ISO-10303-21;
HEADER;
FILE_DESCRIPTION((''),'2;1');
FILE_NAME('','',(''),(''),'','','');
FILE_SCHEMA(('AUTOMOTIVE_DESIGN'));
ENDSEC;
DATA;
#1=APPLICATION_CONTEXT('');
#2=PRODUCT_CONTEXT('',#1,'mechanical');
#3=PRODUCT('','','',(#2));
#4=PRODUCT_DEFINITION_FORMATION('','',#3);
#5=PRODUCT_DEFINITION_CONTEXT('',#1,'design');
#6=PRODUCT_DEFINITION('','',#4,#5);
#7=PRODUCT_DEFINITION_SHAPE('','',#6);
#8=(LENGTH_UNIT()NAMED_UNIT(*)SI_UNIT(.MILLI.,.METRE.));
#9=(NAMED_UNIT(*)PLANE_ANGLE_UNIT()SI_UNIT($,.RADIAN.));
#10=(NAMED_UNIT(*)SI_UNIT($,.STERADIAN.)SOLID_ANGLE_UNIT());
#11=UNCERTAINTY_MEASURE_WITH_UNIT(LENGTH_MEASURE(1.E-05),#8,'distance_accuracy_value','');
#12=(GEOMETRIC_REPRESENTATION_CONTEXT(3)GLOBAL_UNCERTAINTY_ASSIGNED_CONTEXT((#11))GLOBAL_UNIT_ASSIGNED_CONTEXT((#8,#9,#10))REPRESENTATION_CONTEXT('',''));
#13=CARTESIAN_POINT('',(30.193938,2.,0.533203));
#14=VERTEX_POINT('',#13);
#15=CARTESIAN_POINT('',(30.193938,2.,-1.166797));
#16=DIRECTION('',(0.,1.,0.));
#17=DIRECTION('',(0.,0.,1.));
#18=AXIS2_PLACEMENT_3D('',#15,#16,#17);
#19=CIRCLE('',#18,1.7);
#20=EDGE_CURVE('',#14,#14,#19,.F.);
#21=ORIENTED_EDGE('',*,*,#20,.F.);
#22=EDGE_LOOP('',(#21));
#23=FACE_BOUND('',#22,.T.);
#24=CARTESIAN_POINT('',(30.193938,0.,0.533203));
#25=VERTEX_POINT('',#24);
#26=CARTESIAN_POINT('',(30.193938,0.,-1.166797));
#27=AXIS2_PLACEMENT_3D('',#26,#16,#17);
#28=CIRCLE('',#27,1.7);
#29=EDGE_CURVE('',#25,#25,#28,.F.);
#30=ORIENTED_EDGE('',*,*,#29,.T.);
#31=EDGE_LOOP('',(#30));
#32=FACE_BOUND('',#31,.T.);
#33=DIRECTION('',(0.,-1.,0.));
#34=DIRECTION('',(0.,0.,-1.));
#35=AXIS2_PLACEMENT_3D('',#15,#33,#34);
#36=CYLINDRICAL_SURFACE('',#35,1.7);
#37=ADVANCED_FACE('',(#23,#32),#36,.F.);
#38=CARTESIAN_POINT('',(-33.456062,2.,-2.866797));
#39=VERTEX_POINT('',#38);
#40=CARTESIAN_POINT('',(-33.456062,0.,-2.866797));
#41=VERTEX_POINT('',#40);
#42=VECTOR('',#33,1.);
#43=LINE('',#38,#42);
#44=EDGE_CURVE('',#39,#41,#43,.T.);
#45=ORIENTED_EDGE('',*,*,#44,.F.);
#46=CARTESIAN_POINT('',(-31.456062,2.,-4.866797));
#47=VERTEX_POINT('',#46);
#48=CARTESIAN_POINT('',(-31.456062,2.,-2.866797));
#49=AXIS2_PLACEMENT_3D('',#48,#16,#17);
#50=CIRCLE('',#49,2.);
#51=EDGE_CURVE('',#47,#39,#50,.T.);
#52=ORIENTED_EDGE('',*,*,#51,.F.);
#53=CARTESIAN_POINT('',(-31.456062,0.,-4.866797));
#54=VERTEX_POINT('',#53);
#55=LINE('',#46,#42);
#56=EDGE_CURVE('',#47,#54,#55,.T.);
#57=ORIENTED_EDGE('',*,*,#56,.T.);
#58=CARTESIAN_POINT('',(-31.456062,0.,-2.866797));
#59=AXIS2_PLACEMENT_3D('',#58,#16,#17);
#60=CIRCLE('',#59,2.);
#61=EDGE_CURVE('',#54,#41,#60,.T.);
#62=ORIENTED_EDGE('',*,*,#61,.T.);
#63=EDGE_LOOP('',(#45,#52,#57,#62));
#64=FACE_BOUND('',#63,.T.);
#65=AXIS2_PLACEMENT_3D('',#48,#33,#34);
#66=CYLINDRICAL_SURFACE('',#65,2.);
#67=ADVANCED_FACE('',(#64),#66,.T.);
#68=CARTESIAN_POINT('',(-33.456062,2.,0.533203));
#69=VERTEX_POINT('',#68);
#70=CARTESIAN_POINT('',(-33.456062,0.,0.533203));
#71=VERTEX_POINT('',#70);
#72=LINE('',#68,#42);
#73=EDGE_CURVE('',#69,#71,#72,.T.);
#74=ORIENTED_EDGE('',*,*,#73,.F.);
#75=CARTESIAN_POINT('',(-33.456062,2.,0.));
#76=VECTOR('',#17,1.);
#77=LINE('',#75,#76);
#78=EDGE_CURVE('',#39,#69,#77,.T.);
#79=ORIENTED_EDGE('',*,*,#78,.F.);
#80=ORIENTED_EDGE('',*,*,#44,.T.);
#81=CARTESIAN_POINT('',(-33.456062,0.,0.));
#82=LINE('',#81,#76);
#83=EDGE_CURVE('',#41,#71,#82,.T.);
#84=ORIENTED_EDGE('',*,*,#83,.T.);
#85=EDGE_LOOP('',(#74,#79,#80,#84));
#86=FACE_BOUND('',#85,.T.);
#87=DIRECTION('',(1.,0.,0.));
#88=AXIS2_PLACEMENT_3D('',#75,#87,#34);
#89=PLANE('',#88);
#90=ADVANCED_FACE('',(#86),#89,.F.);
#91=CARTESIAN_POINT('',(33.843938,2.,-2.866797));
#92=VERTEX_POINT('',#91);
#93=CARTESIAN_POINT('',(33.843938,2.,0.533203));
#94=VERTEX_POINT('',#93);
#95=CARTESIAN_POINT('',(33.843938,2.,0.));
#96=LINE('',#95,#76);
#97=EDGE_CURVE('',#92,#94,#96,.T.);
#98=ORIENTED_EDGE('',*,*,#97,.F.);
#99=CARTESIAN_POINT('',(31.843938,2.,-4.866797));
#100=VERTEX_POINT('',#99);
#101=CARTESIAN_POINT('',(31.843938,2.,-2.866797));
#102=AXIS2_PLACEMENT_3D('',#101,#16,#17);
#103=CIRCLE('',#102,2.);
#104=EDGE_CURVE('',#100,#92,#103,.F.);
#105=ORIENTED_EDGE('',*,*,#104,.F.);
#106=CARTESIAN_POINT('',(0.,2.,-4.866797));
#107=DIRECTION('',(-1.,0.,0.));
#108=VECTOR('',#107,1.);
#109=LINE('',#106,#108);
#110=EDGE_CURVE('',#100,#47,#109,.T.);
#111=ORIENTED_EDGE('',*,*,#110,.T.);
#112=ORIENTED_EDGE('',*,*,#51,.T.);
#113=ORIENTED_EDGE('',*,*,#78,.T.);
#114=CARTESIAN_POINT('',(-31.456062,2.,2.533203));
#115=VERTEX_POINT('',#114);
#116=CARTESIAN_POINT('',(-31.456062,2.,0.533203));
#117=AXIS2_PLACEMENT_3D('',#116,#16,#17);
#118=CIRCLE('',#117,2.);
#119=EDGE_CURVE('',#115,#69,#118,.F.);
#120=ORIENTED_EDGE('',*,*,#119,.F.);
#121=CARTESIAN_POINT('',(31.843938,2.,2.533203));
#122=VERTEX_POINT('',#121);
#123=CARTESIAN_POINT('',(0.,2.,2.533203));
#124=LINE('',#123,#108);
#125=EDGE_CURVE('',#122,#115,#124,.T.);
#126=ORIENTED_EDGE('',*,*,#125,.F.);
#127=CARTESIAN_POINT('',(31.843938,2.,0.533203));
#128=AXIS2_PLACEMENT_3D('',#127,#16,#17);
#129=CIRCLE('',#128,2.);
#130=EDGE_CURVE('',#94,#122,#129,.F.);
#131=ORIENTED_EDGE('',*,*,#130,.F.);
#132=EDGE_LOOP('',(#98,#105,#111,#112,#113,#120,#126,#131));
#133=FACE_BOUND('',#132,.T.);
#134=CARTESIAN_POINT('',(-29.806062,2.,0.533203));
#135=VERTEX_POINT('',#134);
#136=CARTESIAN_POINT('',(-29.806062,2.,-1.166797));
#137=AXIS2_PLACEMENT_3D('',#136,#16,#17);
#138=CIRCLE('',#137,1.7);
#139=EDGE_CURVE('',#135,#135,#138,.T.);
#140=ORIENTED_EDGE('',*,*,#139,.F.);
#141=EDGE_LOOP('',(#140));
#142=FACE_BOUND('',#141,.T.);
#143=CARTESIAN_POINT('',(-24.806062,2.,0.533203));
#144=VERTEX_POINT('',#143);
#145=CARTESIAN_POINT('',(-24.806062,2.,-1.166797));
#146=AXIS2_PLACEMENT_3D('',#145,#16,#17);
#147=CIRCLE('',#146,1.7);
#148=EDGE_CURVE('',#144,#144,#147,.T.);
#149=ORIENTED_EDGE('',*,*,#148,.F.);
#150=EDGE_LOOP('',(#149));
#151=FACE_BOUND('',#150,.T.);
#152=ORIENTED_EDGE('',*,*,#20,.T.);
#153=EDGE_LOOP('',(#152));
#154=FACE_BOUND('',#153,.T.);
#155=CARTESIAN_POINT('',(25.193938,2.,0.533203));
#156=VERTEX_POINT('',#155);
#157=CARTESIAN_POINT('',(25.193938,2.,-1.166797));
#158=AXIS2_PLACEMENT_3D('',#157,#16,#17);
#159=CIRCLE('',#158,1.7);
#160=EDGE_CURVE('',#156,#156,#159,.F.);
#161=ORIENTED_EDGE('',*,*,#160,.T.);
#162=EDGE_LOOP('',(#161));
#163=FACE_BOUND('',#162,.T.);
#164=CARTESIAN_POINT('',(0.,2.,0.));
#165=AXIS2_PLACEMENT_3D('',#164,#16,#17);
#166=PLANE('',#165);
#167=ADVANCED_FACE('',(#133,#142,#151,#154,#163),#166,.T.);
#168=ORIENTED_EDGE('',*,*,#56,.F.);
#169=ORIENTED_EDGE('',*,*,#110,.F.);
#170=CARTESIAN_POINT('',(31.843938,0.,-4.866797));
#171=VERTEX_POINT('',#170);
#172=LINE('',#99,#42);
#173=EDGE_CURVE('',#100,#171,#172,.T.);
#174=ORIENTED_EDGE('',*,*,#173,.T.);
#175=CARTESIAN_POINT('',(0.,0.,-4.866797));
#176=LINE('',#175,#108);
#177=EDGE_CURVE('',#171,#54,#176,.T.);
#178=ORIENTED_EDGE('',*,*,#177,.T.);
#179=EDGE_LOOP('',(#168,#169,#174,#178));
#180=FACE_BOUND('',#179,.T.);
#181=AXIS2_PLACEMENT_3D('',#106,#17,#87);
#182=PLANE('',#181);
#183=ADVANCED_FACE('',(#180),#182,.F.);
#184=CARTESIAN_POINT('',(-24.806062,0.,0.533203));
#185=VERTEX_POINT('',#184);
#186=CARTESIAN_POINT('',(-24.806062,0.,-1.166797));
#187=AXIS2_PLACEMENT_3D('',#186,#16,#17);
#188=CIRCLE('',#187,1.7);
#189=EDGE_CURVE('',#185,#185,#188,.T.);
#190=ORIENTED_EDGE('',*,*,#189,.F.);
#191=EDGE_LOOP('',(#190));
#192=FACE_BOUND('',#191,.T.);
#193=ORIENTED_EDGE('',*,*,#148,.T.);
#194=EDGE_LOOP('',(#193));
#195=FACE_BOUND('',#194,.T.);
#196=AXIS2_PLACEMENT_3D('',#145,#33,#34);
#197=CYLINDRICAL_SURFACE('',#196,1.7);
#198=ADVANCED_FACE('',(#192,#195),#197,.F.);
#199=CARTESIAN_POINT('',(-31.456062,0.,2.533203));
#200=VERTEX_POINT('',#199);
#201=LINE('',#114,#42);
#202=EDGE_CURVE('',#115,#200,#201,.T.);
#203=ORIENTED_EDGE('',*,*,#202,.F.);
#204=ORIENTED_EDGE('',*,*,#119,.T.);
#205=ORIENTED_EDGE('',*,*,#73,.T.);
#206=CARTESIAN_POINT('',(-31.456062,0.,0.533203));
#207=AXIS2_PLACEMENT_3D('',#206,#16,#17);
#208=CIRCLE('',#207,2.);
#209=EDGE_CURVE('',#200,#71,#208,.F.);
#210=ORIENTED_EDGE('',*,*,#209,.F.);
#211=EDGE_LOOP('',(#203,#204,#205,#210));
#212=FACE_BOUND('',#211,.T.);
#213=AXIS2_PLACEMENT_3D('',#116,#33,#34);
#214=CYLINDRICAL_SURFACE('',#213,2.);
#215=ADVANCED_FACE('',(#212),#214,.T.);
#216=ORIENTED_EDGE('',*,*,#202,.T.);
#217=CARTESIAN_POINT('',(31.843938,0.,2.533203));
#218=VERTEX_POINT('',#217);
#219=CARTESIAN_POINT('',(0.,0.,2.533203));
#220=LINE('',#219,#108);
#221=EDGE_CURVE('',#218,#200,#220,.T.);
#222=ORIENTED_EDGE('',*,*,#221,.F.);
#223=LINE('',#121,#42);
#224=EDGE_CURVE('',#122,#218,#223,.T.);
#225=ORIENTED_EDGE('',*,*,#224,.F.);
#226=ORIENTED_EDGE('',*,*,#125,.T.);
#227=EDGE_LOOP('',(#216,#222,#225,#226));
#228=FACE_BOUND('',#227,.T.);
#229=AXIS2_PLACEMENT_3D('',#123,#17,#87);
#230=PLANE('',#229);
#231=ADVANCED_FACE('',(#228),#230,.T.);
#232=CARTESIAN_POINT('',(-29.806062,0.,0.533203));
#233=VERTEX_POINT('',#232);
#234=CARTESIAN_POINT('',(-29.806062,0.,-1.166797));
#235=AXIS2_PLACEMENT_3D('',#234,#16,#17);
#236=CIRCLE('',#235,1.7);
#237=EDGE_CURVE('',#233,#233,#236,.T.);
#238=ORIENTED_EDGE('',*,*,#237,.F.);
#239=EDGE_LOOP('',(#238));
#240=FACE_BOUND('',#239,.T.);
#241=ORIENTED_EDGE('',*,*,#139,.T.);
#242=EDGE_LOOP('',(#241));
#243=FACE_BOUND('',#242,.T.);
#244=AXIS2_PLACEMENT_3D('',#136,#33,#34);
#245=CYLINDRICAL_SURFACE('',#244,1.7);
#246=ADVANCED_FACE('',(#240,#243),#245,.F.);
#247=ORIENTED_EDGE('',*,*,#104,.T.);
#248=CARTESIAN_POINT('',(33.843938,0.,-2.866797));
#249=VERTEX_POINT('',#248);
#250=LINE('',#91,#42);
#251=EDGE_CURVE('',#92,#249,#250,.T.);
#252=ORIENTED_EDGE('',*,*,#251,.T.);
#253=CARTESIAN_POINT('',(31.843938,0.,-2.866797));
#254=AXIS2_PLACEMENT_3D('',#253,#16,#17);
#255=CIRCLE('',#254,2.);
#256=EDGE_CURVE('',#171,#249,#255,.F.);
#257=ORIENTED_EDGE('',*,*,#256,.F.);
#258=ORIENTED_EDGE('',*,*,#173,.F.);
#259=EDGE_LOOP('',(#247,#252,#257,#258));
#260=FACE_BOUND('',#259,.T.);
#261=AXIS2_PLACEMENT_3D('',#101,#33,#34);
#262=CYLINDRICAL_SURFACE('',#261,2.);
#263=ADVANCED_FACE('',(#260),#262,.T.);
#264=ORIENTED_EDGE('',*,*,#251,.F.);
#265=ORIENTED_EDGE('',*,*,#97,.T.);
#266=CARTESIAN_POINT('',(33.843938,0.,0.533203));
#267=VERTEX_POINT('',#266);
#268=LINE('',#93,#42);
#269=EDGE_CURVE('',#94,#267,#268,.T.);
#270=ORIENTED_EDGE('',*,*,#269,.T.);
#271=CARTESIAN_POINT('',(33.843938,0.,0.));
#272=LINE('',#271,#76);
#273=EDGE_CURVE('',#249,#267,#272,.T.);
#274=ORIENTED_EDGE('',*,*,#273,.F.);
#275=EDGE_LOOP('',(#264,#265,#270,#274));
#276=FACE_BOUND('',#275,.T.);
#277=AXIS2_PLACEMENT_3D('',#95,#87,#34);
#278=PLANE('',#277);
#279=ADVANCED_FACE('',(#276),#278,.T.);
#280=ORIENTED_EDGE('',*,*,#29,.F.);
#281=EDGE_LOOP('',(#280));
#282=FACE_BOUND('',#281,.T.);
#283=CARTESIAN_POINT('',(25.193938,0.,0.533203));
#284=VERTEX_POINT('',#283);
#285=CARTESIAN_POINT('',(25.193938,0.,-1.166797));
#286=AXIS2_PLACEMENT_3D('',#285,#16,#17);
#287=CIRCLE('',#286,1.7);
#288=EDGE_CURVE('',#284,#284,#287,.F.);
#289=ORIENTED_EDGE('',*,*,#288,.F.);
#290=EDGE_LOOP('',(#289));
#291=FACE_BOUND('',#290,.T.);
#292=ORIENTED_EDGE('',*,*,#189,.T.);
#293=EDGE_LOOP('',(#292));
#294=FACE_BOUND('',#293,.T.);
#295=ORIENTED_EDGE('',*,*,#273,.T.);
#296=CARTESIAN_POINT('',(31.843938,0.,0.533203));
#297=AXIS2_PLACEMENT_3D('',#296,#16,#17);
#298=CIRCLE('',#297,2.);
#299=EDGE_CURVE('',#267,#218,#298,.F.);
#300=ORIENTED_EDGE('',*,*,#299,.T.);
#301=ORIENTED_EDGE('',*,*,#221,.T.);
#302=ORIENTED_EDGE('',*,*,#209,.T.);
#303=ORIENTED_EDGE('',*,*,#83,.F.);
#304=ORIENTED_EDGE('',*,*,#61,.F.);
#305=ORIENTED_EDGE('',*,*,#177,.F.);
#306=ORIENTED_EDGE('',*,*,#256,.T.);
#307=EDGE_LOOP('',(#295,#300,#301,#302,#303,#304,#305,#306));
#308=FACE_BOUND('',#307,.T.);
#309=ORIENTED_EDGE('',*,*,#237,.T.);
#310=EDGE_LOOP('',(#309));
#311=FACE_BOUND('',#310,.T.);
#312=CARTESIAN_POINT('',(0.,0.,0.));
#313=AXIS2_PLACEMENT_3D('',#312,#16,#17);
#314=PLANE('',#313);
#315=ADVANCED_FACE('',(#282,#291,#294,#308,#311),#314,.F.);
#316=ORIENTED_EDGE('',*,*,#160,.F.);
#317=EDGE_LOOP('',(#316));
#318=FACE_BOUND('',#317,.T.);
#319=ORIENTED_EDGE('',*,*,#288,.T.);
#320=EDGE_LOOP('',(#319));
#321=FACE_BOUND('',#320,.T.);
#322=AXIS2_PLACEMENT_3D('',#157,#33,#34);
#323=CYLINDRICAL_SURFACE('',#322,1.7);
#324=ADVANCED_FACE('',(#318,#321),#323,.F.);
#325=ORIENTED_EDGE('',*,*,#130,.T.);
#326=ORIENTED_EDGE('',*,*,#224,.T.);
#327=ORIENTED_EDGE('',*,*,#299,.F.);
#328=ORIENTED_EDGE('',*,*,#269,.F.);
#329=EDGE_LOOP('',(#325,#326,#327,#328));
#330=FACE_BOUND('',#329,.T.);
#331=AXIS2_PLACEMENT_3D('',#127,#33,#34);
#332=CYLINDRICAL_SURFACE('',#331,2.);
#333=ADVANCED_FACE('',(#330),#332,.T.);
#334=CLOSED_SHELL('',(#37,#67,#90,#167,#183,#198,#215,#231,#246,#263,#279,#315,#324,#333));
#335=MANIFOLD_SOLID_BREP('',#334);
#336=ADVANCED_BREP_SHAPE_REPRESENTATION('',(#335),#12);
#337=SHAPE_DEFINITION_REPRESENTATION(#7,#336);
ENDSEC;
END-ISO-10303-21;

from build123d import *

# Parameters (mm, degrees)
SKETCH_1_R      = 1.7
EXTRUDE_1_DEPTH = 2


with BuildPart() as part:
    # 草图1 → 凸台-拉伸1 (new body)
    with BuildSketch(Plane(origin=(0, 0, 0), x_dir=(1, 0, 0), z_dir=(0, 1, 0))):
        with BuildLine():
            Line((31.843938282, 4.866796825), (-31.456061718, 4.866796825))
            ThreePointArc((-31.456061718, 4.866796825), (-32.87027528, 4.281010387), (-33.456061718, 2.866796825))
            Line((-33.456061718, 2.866796825), (-33.456061718, -0.533203175))
            ThreePointArc((-33.456061718, -0.533203175), (-32.87027528, -1.947416737), (-31.456061718, -2.533203175))
            Line((-31.456061718, -2.533203175), (31.843938282, -2.533203175))
            ThreePointArc((31.843938282, -2.533203175), (33.258151844, -1.947416737), (33.843938282, -0.533203175))
            Line((33.843938282, -0.533203175), (33.843938282, 2.866796825))
            ThreePointArc((33.843938282, 2.866796825), (33.258151844, 4.281010387), (31.843938282, 4.866796825))
        make_face()
        with Locations(Location((-29.806061718, 1.166796825, 0), (0, 0, 270))):
            Circle(SKETCH_1_R, mode=Mode.SUBTRACT)
        with Locations(Location((30.193938282, 1.166796825, 0), (0, 0, 270))):
            Circle(SKETCH_1_R, mode=Mode.SUBTRACT)
        with Locations(Location((-24.806061718, 1.166796825, 0), (0, 0, 270))):
            Circle(SKETCH_1_R, mode=Mode.SUBTRACT)
        with Locations(Location((25.193938282, 1.166796825, 0), (0, 0, 270))):
            Circle(SKETCH_1_R, mode=Mode.SUBTRACT)
    extrude(amount=EXTRUDE_1_DEPTH)


solid = part.part
